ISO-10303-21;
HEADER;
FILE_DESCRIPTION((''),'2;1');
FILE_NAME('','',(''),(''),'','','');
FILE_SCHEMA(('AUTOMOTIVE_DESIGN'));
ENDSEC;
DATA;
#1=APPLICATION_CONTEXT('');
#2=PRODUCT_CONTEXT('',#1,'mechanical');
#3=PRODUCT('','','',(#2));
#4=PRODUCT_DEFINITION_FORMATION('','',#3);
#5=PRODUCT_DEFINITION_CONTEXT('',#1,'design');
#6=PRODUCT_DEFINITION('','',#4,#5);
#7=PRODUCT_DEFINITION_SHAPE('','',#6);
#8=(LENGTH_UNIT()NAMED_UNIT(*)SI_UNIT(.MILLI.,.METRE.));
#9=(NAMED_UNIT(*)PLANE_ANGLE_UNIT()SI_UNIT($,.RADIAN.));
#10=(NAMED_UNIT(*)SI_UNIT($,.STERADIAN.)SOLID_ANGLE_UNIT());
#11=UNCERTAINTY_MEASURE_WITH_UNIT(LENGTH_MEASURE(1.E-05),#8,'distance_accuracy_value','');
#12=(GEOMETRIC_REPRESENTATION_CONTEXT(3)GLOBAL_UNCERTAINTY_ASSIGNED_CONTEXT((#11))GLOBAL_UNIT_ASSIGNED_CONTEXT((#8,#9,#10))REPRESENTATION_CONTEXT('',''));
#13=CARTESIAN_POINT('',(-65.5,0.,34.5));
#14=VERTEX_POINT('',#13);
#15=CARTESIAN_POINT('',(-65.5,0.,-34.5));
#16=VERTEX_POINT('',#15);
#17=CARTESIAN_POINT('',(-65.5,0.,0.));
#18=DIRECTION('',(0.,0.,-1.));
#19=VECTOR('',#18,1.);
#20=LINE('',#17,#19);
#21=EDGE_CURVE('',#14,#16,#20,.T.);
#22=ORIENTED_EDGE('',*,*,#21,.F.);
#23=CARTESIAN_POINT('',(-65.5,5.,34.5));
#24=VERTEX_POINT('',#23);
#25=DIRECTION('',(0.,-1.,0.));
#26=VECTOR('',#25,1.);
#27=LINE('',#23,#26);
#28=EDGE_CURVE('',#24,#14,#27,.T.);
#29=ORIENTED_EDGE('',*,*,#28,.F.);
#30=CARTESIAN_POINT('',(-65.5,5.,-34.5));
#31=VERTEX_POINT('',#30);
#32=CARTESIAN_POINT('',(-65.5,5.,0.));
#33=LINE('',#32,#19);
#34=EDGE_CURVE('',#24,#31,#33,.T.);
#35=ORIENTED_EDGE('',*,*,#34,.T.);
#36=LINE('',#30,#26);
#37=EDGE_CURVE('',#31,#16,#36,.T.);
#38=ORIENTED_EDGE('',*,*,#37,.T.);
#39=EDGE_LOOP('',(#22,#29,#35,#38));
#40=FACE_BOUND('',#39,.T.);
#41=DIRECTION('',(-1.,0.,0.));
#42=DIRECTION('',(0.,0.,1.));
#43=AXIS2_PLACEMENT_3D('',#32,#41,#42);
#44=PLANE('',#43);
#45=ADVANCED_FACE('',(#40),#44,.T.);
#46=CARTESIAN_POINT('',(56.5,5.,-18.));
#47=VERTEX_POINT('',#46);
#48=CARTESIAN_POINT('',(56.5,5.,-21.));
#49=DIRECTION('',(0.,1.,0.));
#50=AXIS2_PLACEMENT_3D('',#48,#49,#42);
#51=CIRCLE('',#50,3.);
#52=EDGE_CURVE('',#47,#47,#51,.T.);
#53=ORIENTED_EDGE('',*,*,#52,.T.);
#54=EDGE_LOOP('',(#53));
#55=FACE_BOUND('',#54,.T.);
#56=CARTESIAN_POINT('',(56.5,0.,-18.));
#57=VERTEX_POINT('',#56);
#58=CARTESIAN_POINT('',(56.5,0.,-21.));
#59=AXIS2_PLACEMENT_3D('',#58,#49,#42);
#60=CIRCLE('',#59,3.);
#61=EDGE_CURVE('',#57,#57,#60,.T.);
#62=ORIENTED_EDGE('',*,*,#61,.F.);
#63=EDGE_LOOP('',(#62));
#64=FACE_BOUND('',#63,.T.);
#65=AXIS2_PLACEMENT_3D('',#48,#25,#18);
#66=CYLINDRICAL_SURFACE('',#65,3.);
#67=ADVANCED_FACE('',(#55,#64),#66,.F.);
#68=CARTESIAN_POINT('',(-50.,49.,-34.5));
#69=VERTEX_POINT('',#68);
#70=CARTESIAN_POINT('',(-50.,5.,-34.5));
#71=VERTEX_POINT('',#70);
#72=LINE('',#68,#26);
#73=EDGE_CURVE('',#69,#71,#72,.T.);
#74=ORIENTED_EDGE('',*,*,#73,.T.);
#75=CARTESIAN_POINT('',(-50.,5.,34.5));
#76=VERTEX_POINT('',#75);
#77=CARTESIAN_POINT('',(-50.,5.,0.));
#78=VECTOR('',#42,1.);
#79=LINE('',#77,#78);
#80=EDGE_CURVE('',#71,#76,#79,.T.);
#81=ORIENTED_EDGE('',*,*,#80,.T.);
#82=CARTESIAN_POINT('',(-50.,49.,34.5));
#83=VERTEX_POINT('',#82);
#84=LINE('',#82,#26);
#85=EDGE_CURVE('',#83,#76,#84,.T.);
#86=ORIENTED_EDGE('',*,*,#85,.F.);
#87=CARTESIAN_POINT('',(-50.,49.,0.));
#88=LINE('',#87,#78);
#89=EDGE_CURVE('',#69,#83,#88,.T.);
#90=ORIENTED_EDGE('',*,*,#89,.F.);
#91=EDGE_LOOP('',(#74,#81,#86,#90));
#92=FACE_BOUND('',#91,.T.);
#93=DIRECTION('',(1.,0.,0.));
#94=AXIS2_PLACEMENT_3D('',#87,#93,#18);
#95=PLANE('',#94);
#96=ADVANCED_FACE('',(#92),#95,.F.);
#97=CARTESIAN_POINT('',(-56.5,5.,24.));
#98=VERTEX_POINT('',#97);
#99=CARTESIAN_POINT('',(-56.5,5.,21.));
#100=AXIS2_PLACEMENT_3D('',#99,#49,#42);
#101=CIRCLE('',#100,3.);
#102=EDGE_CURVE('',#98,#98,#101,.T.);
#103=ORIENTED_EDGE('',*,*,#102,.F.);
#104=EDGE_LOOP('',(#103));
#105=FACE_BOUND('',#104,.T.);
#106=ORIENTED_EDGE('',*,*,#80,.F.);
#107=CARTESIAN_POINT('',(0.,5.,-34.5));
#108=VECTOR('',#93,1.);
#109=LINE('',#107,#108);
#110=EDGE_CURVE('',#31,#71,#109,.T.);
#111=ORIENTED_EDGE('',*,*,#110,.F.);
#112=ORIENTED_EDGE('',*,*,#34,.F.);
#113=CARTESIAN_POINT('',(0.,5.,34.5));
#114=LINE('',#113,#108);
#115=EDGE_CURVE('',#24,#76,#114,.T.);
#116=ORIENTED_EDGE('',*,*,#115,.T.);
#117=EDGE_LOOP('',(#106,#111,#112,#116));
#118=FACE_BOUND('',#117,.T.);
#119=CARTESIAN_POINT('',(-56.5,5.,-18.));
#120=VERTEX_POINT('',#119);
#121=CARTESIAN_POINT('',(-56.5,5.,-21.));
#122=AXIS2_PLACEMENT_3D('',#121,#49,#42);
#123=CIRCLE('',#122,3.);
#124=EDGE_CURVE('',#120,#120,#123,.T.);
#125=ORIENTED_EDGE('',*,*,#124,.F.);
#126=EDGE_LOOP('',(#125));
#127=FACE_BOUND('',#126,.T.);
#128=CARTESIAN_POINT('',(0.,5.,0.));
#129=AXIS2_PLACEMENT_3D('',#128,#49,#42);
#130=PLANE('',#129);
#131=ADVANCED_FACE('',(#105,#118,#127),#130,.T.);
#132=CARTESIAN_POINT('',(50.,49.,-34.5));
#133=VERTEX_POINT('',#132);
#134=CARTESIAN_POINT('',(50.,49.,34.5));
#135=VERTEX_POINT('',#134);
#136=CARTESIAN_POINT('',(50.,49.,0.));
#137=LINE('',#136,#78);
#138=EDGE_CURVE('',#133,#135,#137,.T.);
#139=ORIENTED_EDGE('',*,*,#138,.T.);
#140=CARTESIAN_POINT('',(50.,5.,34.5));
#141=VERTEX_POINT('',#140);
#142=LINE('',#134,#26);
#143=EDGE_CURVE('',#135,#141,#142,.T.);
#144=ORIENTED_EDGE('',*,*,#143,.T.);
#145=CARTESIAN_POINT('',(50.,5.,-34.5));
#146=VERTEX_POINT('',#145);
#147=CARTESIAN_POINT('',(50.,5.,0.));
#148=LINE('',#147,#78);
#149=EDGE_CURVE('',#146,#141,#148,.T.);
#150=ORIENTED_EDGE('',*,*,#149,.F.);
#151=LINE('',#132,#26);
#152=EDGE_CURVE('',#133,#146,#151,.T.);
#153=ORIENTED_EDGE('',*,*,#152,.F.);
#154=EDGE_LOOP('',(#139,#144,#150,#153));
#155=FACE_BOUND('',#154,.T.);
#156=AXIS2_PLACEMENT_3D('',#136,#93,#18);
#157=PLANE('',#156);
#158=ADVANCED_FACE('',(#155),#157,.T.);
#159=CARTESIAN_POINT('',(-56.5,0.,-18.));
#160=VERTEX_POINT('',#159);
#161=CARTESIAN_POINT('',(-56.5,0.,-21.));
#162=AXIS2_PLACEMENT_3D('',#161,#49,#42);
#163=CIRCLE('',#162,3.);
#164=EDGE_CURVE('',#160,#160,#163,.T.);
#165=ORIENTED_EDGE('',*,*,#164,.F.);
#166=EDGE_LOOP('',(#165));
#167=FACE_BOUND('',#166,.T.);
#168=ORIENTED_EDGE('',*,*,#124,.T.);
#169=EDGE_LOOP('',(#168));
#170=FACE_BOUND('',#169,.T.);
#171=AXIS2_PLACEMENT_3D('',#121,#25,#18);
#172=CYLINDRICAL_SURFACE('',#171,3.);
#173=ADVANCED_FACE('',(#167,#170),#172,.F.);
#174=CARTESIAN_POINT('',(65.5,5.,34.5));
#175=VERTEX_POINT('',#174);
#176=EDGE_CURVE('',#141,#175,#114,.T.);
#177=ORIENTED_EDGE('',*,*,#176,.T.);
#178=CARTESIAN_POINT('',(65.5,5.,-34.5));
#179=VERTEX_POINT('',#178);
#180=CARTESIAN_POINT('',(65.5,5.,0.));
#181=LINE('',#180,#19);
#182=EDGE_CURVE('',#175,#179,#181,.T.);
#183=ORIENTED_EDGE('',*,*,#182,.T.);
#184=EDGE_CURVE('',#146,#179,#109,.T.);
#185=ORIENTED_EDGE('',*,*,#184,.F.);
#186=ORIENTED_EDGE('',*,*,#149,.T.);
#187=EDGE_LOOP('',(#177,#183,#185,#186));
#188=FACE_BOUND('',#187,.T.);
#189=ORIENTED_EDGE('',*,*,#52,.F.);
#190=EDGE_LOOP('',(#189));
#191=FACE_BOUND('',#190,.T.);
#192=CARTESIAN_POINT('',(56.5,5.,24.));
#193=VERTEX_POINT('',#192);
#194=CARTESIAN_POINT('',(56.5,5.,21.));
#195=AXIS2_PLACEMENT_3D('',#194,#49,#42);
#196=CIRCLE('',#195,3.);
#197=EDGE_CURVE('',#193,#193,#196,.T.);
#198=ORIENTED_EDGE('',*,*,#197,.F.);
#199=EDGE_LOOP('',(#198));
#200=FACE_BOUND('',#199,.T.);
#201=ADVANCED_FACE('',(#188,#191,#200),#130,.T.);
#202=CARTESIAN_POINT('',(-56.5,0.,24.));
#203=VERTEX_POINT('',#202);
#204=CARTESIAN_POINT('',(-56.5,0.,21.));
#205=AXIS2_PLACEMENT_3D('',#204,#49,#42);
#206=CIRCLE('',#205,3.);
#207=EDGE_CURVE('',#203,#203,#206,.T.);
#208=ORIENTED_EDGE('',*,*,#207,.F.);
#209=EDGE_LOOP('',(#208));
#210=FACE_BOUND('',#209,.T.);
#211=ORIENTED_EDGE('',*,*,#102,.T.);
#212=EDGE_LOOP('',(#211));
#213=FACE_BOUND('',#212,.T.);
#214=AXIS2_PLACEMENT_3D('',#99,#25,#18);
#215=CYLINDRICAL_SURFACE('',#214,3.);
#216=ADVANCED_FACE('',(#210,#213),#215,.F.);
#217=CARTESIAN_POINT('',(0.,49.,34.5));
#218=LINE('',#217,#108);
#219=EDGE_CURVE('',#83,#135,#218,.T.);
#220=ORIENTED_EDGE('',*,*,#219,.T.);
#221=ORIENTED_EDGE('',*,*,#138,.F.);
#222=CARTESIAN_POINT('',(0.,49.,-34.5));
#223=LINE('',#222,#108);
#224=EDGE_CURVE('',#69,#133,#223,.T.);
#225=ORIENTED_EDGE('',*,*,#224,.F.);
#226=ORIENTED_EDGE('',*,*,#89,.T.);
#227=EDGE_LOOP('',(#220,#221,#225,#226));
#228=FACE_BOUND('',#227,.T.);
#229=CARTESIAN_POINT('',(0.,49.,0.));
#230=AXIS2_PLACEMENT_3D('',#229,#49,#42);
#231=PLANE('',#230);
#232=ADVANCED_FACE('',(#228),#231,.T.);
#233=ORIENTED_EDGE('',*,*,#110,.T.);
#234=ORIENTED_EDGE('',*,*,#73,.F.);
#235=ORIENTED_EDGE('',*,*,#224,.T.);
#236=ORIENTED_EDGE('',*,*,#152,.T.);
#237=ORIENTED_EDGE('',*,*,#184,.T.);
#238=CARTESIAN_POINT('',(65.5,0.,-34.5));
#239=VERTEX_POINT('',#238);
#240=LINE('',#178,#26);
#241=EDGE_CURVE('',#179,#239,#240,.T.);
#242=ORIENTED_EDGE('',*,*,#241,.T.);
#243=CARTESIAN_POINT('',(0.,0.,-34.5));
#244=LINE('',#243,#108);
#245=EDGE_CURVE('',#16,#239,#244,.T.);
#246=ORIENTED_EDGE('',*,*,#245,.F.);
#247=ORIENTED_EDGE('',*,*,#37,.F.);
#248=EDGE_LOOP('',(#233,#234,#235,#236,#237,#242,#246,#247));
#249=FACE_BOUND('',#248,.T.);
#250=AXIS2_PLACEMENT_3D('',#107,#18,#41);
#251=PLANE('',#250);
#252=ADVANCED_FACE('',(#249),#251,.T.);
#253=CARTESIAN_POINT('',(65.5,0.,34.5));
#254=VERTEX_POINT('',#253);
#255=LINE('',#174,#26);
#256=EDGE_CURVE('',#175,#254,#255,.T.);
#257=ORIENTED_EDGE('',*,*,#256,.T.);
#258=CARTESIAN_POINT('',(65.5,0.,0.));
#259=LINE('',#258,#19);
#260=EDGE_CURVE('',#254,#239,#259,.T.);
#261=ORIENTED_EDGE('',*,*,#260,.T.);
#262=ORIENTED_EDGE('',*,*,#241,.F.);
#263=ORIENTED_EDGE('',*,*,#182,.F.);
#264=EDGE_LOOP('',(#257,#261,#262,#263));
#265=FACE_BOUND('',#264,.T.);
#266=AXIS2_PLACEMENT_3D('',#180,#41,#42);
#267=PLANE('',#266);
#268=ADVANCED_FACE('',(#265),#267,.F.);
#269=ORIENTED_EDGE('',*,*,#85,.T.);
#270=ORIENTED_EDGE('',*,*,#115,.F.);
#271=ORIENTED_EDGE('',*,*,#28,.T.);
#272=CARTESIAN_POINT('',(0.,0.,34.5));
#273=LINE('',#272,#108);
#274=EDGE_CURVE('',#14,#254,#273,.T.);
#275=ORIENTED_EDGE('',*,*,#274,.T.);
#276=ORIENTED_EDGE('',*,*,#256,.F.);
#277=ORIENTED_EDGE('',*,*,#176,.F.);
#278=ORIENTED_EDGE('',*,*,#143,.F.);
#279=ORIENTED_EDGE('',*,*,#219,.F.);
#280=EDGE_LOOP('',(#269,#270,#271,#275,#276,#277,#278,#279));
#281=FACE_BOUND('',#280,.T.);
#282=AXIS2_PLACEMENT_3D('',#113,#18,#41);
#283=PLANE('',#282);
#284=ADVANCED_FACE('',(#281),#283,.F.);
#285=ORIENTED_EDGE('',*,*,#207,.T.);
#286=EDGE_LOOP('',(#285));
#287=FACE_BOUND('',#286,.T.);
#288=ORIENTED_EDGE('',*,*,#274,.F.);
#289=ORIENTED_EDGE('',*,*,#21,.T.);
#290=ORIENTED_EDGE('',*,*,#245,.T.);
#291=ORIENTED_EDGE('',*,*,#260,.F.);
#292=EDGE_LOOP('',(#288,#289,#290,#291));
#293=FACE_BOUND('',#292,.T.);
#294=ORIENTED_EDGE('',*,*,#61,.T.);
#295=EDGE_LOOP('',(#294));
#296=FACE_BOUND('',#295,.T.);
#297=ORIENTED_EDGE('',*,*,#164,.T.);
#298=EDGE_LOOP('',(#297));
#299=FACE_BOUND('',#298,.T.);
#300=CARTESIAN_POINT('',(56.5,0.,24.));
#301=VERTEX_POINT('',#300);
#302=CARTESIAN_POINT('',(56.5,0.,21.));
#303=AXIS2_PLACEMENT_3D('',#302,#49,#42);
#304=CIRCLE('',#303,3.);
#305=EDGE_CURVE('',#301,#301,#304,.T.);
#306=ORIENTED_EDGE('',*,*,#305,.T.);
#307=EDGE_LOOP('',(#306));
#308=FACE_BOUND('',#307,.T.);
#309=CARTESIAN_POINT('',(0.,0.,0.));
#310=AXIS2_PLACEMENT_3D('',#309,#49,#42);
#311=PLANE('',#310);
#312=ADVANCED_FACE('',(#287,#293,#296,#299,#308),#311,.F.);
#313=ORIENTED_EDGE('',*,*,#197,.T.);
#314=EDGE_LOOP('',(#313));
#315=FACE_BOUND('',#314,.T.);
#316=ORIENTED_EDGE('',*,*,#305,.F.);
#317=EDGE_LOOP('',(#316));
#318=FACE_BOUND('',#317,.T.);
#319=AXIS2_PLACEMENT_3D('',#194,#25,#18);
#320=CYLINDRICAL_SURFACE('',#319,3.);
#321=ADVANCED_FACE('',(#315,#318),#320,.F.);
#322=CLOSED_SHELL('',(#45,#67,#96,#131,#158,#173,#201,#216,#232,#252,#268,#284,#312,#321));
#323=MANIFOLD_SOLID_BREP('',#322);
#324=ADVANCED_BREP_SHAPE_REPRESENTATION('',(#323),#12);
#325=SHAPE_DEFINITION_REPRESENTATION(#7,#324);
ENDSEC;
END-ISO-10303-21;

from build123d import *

# Parameters (mm, degrees)
SKETCH_1_W        = 15.5
SKETCH_1_H        = 69
SKETCH_1_R        = 3
EXTRUDE_1_DEPTH   = 5
EXTRUDE_1_2_DEPTH = 5
SKETCH_1_3_W      = 100
SKETCH_1_3_H      = 69
EXTRUDE_2_DEPTH   = 49


with BuildPart() as part:
    # 草图1 → 凸台-拉伸1 (new body)
    with BuildSketch(Plane(origin=(0, 0, 0), x_dir=(1, 0, 0), z_dir=(0, 1, 0))):
        with Locations((-57.75, 0)):
            Rectangle(SKETCH_1_W, SKETCH_1_H)
        with Locations((-56.5, -21)):
            Circle(SKETCH_1_R, mode=Mode.SUBTRACT)
        with Locations((-56.5, 21)):
            Circle(SKETCH_1_R, mode=Mode.SUBTRACT)
    extrude(amount=EXTRUDE_1_DEPTH)



with BuildPart() as body_2:
    # 草图1 → Extrude 1 2 (new body)
    with BuildSketch(Plane(origin=(0, 0, 0), x_dir=(1, 0, 0), z_dir=(0, 1, 0))):
        with Locations((57.75, 0)):
            Rectangle(SKETCH_1_W, SKETCH_1_H)
        with Locations((56.5, -21)):
            Circle(SKETCH_1_R, mode=Mode.SUBTRACT)
        with Locations((56.5, 21)):
            Circle(SKETCH_1_R, mode=Mode.SUBTRACT)
    extrude(amount=EXTRUDE_1_2_DEPTH)


with BuildPart() as part_1:
    add(part.part)

    add(body_2.part)  # 凸台-拉伸2 merges body 2
    # 草图1<3> → 凸台-拉伸2 (add)
    with BuildSketch(Plane(origin=(0, 0, 0), x_dir=(1, 0, 0), z_dir=(0, 1, 0))):
        Rectangle(SKETCH_1_3_W, SKETCH_1_3_H)
    extrude(amount=EXTRUDE_2_DEPTH)


solid = part_1.part
